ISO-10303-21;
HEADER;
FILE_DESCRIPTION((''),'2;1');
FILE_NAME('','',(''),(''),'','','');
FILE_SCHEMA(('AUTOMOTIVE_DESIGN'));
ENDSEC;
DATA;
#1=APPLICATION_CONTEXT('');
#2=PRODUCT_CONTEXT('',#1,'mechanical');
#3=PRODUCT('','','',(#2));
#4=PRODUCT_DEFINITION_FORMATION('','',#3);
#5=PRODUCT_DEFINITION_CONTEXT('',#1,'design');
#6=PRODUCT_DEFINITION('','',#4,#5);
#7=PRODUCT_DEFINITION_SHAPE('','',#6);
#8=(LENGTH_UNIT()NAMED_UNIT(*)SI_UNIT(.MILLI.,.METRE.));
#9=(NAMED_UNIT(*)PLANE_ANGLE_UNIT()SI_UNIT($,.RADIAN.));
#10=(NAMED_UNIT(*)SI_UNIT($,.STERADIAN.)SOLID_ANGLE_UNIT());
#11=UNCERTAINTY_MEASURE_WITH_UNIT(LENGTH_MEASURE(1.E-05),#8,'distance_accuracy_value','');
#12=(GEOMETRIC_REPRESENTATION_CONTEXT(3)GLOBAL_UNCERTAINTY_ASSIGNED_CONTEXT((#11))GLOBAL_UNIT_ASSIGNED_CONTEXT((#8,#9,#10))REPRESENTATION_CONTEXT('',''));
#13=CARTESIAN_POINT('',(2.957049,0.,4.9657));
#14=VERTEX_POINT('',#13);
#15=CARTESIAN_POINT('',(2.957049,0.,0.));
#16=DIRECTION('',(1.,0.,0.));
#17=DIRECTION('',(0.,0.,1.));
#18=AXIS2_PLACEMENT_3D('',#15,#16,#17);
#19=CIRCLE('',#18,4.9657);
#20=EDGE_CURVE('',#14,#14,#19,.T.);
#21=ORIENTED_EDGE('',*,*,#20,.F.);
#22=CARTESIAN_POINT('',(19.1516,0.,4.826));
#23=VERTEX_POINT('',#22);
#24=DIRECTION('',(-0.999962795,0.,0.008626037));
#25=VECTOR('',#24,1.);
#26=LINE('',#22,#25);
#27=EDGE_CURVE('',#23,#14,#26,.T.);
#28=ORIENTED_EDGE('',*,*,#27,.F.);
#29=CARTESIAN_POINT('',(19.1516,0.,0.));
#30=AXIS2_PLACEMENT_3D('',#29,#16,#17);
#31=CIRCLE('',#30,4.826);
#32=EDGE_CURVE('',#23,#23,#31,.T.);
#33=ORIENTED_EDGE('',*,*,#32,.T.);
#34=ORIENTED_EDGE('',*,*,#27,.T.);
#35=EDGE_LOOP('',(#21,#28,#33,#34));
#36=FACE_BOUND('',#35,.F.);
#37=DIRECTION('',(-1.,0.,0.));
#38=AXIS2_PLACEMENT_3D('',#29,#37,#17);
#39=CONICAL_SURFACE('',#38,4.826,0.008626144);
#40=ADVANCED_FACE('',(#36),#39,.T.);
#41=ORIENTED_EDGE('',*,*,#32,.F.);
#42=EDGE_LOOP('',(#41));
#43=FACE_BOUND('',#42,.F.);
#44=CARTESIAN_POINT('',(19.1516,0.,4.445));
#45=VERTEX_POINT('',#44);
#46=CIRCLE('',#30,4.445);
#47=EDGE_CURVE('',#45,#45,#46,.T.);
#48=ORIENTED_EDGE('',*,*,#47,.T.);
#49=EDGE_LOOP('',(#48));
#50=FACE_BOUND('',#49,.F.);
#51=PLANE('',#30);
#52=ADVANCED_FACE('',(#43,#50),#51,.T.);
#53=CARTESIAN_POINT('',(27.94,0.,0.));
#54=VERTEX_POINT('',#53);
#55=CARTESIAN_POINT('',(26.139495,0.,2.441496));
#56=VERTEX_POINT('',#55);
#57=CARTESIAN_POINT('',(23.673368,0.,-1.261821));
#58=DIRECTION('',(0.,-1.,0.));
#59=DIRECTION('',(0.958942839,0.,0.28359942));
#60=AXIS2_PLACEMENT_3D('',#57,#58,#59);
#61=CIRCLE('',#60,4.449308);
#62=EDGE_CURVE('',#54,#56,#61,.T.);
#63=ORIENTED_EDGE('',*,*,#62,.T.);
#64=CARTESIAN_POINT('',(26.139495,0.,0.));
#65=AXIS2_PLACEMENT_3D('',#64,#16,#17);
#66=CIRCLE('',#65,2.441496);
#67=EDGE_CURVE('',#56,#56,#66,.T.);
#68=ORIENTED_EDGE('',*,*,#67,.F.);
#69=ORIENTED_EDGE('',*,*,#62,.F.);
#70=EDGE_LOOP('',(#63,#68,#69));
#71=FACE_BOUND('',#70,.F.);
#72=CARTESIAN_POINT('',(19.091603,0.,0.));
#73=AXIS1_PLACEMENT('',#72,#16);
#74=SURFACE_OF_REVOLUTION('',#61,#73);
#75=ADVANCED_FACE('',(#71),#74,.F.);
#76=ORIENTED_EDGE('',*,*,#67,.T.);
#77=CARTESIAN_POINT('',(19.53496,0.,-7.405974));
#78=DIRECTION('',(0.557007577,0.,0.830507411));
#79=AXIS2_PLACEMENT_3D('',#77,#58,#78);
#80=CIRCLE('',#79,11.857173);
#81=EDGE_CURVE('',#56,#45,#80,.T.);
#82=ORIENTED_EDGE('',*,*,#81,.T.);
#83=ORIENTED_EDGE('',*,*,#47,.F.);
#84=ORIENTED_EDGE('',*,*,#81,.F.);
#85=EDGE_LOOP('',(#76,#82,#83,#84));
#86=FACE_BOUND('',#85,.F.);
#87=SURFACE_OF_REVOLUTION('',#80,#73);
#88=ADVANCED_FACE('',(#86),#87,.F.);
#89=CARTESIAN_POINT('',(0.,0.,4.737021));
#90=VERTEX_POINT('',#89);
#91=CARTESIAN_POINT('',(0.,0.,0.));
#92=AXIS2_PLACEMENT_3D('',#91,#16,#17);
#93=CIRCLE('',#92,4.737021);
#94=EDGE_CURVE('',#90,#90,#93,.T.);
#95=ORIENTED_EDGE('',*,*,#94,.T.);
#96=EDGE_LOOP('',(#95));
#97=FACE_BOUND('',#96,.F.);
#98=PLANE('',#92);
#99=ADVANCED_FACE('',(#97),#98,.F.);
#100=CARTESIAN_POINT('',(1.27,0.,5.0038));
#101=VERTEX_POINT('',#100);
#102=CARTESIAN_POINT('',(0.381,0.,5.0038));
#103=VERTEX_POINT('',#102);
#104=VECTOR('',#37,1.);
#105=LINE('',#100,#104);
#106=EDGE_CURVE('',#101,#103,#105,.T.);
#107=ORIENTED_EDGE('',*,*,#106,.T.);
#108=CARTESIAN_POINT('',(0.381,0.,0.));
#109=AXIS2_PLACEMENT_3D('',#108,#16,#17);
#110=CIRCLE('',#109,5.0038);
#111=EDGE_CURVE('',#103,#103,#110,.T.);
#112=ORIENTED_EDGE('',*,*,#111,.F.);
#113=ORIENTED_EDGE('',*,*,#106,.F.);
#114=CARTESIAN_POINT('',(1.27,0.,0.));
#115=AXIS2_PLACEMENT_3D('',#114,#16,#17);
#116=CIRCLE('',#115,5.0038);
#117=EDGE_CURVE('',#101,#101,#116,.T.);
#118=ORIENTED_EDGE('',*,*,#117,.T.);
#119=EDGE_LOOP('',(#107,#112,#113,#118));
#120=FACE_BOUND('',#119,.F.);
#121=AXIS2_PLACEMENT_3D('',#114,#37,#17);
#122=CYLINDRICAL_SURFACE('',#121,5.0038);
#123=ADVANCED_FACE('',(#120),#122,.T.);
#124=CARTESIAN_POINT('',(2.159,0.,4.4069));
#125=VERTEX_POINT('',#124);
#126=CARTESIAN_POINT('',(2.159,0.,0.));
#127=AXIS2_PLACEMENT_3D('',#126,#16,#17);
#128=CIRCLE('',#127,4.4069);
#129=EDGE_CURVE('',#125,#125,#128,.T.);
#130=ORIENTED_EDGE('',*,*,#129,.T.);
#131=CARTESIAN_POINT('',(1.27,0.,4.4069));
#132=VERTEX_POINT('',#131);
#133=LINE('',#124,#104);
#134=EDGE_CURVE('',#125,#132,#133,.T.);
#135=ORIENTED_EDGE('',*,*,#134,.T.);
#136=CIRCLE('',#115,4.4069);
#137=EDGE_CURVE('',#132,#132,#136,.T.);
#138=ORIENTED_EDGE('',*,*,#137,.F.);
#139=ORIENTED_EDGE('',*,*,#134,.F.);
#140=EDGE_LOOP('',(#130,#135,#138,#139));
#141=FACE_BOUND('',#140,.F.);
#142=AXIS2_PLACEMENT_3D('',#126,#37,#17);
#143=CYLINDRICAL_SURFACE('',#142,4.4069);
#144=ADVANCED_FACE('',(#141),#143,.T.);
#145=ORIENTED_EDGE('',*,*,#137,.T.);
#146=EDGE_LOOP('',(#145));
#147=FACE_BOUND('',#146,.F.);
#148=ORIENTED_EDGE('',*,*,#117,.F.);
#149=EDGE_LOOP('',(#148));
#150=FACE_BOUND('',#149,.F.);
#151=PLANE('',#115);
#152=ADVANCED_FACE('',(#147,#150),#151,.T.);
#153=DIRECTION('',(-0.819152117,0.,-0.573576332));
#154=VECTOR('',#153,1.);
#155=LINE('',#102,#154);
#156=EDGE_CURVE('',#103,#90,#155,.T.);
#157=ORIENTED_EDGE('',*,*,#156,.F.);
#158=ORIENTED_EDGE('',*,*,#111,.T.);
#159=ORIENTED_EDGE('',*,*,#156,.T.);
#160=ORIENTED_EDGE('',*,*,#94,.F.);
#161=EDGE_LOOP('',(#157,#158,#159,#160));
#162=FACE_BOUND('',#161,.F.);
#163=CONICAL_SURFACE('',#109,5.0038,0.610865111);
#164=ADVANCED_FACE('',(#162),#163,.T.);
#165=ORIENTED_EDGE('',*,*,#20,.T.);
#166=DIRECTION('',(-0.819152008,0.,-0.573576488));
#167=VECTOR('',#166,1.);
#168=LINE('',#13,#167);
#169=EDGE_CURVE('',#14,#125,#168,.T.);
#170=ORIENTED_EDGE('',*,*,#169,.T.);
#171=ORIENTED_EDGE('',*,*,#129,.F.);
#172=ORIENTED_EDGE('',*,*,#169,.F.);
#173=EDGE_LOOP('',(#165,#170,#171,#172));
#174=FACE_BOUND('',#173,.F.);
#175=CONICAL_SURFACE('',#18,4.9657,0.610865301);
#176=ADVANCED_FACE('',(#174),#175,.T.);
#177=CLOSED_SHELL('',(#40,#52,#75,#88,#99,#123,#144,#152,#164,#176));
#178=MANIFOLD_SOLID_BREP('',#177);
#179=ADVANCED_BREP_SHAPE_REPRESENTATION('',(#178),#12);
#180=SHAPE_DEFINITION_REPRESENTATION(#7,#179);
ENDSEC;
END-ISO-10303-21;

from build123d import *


with BuildPart() as f1:
    # F0 (on Front) → F1 (revolve)
    with BuildSketch(Plane.XZ):
        with BuildLine():
            Line((0, 4.737021), (0, 0))
            Line((0, 0), (27.94, 0))
            ThreePointArc((27.94, 0), (27.254253, 1.378937), (26.139495, 2.441496))
            ThreePointArc((26.139495, 2.441496), (22.802874, 3.991977), (19.1516, 4.445))
            Line((19.1516, 4.445), (19.1516, 4.826))
            Line((19.1516, 4.826), (2.957049, 4.9657))
            Line((2.957049, 4.9657), (2.159, 4.4069))
            Line((2.159, 4.4069), (1.27, 4.4069))
            Line((1.27, 4.4069), (1.27, 5.0038))
            Line((1.27, 5.0038), (0.381, 5.0038))
            Line((0.381, 5.0038), (0, 4.737021))
        make_face()
    revolve(axis=Axis((19.091603, 0, 0), (1, 0, 0)))


solid = f1.part
